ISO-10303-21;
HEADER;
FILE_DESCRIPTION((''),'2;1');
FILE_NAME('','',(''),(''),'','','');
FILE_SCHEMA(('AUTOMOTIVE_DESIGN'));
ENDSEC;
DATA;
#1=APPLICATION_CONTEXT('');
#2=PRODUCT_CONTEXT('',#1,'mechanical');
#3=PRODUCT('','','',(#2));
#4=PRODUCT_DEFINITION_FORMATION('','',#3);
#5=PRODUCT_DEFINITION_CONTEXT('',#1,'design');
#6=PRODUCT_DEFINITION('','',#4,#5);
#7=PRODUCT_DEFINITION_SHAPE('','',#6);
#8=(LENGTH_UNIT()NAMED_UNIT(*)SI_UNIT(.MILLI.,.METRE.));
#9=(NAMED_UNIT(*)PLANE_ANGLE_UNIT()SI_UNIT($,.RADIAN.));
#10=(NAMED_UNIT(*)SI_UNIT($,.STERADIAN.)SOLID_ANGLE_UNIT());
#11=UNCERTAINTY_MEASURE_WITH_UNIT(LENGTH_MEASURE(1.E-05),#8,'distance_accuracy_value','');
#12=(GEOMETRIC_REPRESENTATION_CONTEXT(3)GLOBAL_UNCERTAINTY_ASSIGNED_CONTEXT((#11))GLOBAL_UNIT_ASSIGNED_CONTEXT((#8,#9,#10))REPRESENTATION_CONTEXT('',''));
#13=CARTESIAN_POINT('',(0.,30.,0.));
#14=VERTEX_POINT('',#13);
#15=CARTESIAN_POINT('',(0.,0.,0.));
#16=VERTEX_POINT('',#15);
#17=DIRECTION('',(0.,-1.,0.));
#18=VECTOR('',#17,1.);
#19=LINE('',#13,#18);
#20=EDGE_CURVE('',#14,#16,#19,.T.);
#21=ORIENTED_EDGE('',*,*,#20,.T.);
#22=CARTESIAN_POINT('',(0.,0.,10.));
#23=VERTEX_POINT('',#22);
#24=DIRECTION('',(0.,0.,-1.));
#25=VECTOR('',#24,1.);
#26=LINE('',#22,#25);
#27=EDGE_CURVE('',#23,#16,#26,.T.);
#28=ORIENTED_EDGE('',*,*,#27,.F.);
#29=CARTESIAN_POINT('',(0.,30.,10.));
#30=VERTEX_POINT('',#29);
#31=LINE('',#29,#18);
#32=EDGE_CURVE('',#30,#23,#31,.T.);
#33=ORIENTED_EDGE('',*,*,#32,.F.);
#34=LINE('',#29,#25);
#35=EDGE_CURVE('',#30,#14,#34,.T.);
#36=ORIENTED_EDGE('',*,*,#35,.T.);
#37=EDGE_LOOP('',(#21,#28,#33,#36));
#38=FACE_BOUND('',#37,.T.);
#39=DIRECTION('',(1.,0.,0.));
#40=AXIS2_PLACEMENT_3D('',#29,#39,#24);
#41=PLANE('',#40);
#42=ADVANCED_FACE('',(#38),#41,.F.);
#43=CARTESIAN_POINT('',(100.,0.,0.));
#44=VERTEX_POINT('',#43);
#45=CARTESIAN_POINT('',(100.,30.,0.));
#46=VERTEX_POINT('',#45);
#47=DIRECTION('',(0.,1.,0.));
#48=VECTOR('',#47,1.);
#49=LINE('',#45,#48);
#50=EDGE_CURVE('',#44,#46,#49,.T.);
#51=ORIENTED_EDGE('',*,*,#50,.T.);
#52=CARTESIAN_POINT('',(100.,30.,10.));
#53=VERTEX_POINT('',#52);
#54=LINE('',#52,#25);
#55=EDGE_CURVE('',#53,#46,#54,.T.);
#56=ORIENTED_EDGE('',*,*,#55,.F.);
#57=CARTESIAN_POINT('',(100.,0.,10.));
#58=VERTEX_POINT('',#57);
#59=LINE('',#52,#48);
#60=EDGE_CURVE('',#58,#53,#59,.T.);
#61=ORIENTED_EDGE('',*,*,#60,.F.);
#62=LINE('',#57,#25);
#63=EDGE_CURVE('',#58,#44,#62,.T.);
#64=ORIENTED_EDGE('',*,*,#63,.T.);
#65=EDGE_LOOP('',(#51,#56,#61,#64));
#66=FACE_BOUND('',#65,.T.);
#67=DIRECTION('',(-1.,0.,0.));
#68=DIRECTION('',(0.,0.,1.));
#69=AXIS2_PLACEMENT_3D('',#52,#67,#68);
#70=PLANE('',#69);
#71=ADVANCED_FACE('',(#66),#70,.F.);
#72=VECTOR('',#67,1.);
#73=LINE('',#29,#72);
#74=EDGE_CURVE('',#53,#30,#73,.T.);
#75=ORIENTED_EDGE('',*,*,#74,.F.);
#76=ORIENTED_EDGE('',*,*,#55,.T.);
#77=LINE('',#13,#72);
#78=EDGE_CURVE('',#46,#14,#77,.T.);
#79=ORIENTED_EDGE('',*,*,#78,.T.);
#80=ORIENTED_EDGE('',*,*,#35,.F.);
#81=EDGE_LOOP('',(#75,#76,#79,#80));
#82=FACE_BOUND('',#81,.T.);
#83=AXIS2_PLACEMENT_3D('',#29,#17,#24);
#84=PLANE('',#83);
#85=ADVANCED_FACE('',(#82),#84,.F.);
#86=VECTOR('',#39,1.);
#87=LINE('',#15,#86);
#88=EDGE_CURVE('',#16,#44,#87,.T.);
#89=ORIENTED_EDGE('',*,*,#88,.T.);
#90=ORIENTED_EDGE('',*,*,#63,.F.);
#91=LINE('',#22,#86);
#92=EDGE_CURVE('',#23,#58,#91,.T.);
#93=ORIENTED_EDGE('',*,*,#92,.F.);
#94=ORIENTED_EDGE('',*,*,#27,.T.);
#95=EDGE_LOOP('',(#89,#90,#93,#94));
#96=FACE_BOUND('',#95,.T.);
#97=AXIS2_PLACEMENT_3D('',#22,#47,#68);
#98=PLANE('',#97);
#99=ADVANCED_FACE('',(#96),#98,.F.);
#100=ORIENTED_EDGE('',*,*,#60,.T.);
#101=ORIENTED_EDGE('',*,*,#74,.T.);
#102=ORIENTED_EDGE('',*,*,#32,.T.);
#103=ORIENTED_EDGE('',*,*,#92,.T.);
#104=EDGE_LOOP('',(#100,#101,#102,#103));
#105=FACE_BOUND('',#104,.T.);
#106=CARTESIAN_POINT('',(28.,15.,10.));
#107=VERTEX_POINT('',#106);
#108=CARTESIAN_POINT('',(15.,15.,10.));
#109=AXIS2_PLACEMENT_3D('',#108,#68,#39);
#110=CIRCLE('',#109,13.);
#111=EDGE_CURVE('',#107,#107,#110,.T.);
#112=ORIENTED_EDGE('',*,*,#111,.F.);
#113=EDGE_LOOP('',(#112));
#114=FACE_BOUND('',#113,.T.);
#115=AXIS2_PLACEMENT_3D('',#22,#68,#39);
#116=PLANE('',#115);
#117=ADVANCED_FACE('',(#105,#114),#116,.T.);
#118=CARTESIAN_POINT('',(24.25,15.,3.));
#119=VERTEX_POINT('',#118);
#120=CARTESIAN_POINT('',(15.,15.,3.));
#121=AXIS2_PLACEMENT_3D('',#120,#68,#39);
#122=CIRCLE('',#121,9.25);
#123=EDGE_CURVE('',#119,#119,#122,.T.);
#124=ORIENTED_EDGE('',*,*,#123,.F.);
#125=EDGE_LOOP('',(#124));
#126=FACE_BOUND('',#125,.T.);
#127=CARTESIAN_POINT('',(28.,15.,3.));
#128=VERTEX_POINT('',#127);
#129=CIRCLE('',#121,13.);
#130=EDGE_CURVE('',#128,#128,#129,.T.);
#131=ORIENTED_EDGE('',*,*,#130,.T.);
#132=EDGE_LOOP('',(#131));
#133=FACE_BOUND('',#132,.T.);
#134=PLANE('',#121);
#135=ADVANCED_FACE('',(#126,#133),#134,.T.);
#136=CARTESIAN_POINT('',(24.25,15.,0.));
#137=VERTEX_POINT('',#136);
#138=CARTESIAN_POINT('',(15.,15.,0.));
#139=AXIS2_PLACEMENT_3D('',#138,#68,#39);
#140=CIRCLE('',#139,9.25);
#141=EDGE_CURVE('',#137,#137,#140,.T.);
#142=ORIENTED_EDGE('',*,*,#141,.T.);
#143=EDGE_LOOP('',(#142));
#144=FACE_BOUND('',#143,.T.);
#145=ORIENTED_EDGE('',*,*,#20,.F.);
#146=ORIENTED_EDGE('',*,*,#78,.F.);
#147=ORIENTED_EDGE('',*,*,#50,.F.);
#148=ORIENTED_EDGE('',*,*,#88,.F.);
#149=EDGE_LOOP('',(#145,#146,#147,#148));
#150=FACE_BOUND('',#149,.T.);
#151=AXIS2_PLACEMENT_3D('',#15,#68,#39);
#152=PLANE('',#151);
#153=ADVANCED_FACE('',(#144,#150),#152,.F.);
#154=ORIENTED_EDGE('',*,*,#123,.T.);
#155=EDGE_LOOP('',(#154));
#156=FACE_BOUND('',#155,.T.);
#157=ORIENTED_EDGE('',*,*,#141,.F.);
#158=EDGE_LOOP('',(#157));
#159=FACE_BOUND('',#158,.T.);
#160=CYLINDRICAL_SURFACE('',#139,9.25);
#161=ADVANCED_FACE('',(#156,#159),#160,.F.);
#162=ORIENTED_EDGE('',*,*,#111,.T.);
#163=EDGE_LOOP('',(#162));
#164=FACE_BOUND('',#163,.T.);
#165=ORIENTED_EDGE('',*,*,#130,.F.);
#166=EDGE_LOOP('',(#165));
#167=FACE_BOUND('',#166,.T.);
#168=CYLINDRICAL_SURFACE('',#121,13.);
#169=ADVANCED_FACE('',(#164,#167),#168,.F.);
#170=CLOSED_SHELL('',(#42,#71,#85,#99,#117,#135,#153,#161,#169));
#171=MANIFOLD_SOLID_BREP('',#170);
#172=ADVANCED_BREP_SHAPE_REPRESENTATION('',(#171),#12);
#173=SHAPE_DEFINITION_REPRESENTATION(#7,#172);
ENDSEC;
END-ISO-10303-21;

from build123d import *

# Parameters (mm, degrees)
ESBO_O1_W                = 100
ESBO_O1_H                = 30
RESSALTO_EXTRUS_O1_DEPTH = 10
ESBO_O2_R                = 13
CORTE_EXTRUS_O1_DEPTH    = 7
ESBO_O4_R                = 9.25
CORTE_EXTRUS_O3_DEPTH    = 105.637469388
ESBO_O3_W                = 30
ESBO_O3_H                = 30
CORTE_EXTRUS_O2_DEPTH    = 2


with BuildPart() as part:
    # Esboço1 → Ressalto-extrusão1 (new body)
    with BuildSketch(Plane.XY):
        with Locations((50, 15)):
            Rectangle(ESBO_O1_W, ESBO_O1_H)
    extrude(amount=RESSALTO_EXTRUS_O1_DEPTH)

    # Esboço2 → Corte-extrusão1 (cut)
    with BuildSketch(Plane.XY.offset(10)):
        with Locations((15, 15)):
            Circle(ESBO_O2_R)
    extrude(amount=-CORTE_EXTRUS_O1_DEPTH, mode=Mode.SUBTRACT)

    # Esboço4 → Corte-extrusão3 (cut, through all)
    with BuildSketch(Plane.XY.offset(3)):
        with Locations((15, 15)):
            Circle(ESBO_O4_R)
    extrude(amount=-CORTE_EXTRUS_O3_DEPTH, mode=Mode.SUBTRACT)

    # Esboço3 → Corte-extrusão2 (cut)
    with BuildSketch(Plane.XY.offset(10)):
        with Locations((-35, 3.5)):
            Rectangle(ESBO_O3_W, ESBO_O3_H)
    extrude(amount=-CORTE_EXTRUS_O2_DEPTH, mode=Mode.SUBTRACT)


solid = part.part
